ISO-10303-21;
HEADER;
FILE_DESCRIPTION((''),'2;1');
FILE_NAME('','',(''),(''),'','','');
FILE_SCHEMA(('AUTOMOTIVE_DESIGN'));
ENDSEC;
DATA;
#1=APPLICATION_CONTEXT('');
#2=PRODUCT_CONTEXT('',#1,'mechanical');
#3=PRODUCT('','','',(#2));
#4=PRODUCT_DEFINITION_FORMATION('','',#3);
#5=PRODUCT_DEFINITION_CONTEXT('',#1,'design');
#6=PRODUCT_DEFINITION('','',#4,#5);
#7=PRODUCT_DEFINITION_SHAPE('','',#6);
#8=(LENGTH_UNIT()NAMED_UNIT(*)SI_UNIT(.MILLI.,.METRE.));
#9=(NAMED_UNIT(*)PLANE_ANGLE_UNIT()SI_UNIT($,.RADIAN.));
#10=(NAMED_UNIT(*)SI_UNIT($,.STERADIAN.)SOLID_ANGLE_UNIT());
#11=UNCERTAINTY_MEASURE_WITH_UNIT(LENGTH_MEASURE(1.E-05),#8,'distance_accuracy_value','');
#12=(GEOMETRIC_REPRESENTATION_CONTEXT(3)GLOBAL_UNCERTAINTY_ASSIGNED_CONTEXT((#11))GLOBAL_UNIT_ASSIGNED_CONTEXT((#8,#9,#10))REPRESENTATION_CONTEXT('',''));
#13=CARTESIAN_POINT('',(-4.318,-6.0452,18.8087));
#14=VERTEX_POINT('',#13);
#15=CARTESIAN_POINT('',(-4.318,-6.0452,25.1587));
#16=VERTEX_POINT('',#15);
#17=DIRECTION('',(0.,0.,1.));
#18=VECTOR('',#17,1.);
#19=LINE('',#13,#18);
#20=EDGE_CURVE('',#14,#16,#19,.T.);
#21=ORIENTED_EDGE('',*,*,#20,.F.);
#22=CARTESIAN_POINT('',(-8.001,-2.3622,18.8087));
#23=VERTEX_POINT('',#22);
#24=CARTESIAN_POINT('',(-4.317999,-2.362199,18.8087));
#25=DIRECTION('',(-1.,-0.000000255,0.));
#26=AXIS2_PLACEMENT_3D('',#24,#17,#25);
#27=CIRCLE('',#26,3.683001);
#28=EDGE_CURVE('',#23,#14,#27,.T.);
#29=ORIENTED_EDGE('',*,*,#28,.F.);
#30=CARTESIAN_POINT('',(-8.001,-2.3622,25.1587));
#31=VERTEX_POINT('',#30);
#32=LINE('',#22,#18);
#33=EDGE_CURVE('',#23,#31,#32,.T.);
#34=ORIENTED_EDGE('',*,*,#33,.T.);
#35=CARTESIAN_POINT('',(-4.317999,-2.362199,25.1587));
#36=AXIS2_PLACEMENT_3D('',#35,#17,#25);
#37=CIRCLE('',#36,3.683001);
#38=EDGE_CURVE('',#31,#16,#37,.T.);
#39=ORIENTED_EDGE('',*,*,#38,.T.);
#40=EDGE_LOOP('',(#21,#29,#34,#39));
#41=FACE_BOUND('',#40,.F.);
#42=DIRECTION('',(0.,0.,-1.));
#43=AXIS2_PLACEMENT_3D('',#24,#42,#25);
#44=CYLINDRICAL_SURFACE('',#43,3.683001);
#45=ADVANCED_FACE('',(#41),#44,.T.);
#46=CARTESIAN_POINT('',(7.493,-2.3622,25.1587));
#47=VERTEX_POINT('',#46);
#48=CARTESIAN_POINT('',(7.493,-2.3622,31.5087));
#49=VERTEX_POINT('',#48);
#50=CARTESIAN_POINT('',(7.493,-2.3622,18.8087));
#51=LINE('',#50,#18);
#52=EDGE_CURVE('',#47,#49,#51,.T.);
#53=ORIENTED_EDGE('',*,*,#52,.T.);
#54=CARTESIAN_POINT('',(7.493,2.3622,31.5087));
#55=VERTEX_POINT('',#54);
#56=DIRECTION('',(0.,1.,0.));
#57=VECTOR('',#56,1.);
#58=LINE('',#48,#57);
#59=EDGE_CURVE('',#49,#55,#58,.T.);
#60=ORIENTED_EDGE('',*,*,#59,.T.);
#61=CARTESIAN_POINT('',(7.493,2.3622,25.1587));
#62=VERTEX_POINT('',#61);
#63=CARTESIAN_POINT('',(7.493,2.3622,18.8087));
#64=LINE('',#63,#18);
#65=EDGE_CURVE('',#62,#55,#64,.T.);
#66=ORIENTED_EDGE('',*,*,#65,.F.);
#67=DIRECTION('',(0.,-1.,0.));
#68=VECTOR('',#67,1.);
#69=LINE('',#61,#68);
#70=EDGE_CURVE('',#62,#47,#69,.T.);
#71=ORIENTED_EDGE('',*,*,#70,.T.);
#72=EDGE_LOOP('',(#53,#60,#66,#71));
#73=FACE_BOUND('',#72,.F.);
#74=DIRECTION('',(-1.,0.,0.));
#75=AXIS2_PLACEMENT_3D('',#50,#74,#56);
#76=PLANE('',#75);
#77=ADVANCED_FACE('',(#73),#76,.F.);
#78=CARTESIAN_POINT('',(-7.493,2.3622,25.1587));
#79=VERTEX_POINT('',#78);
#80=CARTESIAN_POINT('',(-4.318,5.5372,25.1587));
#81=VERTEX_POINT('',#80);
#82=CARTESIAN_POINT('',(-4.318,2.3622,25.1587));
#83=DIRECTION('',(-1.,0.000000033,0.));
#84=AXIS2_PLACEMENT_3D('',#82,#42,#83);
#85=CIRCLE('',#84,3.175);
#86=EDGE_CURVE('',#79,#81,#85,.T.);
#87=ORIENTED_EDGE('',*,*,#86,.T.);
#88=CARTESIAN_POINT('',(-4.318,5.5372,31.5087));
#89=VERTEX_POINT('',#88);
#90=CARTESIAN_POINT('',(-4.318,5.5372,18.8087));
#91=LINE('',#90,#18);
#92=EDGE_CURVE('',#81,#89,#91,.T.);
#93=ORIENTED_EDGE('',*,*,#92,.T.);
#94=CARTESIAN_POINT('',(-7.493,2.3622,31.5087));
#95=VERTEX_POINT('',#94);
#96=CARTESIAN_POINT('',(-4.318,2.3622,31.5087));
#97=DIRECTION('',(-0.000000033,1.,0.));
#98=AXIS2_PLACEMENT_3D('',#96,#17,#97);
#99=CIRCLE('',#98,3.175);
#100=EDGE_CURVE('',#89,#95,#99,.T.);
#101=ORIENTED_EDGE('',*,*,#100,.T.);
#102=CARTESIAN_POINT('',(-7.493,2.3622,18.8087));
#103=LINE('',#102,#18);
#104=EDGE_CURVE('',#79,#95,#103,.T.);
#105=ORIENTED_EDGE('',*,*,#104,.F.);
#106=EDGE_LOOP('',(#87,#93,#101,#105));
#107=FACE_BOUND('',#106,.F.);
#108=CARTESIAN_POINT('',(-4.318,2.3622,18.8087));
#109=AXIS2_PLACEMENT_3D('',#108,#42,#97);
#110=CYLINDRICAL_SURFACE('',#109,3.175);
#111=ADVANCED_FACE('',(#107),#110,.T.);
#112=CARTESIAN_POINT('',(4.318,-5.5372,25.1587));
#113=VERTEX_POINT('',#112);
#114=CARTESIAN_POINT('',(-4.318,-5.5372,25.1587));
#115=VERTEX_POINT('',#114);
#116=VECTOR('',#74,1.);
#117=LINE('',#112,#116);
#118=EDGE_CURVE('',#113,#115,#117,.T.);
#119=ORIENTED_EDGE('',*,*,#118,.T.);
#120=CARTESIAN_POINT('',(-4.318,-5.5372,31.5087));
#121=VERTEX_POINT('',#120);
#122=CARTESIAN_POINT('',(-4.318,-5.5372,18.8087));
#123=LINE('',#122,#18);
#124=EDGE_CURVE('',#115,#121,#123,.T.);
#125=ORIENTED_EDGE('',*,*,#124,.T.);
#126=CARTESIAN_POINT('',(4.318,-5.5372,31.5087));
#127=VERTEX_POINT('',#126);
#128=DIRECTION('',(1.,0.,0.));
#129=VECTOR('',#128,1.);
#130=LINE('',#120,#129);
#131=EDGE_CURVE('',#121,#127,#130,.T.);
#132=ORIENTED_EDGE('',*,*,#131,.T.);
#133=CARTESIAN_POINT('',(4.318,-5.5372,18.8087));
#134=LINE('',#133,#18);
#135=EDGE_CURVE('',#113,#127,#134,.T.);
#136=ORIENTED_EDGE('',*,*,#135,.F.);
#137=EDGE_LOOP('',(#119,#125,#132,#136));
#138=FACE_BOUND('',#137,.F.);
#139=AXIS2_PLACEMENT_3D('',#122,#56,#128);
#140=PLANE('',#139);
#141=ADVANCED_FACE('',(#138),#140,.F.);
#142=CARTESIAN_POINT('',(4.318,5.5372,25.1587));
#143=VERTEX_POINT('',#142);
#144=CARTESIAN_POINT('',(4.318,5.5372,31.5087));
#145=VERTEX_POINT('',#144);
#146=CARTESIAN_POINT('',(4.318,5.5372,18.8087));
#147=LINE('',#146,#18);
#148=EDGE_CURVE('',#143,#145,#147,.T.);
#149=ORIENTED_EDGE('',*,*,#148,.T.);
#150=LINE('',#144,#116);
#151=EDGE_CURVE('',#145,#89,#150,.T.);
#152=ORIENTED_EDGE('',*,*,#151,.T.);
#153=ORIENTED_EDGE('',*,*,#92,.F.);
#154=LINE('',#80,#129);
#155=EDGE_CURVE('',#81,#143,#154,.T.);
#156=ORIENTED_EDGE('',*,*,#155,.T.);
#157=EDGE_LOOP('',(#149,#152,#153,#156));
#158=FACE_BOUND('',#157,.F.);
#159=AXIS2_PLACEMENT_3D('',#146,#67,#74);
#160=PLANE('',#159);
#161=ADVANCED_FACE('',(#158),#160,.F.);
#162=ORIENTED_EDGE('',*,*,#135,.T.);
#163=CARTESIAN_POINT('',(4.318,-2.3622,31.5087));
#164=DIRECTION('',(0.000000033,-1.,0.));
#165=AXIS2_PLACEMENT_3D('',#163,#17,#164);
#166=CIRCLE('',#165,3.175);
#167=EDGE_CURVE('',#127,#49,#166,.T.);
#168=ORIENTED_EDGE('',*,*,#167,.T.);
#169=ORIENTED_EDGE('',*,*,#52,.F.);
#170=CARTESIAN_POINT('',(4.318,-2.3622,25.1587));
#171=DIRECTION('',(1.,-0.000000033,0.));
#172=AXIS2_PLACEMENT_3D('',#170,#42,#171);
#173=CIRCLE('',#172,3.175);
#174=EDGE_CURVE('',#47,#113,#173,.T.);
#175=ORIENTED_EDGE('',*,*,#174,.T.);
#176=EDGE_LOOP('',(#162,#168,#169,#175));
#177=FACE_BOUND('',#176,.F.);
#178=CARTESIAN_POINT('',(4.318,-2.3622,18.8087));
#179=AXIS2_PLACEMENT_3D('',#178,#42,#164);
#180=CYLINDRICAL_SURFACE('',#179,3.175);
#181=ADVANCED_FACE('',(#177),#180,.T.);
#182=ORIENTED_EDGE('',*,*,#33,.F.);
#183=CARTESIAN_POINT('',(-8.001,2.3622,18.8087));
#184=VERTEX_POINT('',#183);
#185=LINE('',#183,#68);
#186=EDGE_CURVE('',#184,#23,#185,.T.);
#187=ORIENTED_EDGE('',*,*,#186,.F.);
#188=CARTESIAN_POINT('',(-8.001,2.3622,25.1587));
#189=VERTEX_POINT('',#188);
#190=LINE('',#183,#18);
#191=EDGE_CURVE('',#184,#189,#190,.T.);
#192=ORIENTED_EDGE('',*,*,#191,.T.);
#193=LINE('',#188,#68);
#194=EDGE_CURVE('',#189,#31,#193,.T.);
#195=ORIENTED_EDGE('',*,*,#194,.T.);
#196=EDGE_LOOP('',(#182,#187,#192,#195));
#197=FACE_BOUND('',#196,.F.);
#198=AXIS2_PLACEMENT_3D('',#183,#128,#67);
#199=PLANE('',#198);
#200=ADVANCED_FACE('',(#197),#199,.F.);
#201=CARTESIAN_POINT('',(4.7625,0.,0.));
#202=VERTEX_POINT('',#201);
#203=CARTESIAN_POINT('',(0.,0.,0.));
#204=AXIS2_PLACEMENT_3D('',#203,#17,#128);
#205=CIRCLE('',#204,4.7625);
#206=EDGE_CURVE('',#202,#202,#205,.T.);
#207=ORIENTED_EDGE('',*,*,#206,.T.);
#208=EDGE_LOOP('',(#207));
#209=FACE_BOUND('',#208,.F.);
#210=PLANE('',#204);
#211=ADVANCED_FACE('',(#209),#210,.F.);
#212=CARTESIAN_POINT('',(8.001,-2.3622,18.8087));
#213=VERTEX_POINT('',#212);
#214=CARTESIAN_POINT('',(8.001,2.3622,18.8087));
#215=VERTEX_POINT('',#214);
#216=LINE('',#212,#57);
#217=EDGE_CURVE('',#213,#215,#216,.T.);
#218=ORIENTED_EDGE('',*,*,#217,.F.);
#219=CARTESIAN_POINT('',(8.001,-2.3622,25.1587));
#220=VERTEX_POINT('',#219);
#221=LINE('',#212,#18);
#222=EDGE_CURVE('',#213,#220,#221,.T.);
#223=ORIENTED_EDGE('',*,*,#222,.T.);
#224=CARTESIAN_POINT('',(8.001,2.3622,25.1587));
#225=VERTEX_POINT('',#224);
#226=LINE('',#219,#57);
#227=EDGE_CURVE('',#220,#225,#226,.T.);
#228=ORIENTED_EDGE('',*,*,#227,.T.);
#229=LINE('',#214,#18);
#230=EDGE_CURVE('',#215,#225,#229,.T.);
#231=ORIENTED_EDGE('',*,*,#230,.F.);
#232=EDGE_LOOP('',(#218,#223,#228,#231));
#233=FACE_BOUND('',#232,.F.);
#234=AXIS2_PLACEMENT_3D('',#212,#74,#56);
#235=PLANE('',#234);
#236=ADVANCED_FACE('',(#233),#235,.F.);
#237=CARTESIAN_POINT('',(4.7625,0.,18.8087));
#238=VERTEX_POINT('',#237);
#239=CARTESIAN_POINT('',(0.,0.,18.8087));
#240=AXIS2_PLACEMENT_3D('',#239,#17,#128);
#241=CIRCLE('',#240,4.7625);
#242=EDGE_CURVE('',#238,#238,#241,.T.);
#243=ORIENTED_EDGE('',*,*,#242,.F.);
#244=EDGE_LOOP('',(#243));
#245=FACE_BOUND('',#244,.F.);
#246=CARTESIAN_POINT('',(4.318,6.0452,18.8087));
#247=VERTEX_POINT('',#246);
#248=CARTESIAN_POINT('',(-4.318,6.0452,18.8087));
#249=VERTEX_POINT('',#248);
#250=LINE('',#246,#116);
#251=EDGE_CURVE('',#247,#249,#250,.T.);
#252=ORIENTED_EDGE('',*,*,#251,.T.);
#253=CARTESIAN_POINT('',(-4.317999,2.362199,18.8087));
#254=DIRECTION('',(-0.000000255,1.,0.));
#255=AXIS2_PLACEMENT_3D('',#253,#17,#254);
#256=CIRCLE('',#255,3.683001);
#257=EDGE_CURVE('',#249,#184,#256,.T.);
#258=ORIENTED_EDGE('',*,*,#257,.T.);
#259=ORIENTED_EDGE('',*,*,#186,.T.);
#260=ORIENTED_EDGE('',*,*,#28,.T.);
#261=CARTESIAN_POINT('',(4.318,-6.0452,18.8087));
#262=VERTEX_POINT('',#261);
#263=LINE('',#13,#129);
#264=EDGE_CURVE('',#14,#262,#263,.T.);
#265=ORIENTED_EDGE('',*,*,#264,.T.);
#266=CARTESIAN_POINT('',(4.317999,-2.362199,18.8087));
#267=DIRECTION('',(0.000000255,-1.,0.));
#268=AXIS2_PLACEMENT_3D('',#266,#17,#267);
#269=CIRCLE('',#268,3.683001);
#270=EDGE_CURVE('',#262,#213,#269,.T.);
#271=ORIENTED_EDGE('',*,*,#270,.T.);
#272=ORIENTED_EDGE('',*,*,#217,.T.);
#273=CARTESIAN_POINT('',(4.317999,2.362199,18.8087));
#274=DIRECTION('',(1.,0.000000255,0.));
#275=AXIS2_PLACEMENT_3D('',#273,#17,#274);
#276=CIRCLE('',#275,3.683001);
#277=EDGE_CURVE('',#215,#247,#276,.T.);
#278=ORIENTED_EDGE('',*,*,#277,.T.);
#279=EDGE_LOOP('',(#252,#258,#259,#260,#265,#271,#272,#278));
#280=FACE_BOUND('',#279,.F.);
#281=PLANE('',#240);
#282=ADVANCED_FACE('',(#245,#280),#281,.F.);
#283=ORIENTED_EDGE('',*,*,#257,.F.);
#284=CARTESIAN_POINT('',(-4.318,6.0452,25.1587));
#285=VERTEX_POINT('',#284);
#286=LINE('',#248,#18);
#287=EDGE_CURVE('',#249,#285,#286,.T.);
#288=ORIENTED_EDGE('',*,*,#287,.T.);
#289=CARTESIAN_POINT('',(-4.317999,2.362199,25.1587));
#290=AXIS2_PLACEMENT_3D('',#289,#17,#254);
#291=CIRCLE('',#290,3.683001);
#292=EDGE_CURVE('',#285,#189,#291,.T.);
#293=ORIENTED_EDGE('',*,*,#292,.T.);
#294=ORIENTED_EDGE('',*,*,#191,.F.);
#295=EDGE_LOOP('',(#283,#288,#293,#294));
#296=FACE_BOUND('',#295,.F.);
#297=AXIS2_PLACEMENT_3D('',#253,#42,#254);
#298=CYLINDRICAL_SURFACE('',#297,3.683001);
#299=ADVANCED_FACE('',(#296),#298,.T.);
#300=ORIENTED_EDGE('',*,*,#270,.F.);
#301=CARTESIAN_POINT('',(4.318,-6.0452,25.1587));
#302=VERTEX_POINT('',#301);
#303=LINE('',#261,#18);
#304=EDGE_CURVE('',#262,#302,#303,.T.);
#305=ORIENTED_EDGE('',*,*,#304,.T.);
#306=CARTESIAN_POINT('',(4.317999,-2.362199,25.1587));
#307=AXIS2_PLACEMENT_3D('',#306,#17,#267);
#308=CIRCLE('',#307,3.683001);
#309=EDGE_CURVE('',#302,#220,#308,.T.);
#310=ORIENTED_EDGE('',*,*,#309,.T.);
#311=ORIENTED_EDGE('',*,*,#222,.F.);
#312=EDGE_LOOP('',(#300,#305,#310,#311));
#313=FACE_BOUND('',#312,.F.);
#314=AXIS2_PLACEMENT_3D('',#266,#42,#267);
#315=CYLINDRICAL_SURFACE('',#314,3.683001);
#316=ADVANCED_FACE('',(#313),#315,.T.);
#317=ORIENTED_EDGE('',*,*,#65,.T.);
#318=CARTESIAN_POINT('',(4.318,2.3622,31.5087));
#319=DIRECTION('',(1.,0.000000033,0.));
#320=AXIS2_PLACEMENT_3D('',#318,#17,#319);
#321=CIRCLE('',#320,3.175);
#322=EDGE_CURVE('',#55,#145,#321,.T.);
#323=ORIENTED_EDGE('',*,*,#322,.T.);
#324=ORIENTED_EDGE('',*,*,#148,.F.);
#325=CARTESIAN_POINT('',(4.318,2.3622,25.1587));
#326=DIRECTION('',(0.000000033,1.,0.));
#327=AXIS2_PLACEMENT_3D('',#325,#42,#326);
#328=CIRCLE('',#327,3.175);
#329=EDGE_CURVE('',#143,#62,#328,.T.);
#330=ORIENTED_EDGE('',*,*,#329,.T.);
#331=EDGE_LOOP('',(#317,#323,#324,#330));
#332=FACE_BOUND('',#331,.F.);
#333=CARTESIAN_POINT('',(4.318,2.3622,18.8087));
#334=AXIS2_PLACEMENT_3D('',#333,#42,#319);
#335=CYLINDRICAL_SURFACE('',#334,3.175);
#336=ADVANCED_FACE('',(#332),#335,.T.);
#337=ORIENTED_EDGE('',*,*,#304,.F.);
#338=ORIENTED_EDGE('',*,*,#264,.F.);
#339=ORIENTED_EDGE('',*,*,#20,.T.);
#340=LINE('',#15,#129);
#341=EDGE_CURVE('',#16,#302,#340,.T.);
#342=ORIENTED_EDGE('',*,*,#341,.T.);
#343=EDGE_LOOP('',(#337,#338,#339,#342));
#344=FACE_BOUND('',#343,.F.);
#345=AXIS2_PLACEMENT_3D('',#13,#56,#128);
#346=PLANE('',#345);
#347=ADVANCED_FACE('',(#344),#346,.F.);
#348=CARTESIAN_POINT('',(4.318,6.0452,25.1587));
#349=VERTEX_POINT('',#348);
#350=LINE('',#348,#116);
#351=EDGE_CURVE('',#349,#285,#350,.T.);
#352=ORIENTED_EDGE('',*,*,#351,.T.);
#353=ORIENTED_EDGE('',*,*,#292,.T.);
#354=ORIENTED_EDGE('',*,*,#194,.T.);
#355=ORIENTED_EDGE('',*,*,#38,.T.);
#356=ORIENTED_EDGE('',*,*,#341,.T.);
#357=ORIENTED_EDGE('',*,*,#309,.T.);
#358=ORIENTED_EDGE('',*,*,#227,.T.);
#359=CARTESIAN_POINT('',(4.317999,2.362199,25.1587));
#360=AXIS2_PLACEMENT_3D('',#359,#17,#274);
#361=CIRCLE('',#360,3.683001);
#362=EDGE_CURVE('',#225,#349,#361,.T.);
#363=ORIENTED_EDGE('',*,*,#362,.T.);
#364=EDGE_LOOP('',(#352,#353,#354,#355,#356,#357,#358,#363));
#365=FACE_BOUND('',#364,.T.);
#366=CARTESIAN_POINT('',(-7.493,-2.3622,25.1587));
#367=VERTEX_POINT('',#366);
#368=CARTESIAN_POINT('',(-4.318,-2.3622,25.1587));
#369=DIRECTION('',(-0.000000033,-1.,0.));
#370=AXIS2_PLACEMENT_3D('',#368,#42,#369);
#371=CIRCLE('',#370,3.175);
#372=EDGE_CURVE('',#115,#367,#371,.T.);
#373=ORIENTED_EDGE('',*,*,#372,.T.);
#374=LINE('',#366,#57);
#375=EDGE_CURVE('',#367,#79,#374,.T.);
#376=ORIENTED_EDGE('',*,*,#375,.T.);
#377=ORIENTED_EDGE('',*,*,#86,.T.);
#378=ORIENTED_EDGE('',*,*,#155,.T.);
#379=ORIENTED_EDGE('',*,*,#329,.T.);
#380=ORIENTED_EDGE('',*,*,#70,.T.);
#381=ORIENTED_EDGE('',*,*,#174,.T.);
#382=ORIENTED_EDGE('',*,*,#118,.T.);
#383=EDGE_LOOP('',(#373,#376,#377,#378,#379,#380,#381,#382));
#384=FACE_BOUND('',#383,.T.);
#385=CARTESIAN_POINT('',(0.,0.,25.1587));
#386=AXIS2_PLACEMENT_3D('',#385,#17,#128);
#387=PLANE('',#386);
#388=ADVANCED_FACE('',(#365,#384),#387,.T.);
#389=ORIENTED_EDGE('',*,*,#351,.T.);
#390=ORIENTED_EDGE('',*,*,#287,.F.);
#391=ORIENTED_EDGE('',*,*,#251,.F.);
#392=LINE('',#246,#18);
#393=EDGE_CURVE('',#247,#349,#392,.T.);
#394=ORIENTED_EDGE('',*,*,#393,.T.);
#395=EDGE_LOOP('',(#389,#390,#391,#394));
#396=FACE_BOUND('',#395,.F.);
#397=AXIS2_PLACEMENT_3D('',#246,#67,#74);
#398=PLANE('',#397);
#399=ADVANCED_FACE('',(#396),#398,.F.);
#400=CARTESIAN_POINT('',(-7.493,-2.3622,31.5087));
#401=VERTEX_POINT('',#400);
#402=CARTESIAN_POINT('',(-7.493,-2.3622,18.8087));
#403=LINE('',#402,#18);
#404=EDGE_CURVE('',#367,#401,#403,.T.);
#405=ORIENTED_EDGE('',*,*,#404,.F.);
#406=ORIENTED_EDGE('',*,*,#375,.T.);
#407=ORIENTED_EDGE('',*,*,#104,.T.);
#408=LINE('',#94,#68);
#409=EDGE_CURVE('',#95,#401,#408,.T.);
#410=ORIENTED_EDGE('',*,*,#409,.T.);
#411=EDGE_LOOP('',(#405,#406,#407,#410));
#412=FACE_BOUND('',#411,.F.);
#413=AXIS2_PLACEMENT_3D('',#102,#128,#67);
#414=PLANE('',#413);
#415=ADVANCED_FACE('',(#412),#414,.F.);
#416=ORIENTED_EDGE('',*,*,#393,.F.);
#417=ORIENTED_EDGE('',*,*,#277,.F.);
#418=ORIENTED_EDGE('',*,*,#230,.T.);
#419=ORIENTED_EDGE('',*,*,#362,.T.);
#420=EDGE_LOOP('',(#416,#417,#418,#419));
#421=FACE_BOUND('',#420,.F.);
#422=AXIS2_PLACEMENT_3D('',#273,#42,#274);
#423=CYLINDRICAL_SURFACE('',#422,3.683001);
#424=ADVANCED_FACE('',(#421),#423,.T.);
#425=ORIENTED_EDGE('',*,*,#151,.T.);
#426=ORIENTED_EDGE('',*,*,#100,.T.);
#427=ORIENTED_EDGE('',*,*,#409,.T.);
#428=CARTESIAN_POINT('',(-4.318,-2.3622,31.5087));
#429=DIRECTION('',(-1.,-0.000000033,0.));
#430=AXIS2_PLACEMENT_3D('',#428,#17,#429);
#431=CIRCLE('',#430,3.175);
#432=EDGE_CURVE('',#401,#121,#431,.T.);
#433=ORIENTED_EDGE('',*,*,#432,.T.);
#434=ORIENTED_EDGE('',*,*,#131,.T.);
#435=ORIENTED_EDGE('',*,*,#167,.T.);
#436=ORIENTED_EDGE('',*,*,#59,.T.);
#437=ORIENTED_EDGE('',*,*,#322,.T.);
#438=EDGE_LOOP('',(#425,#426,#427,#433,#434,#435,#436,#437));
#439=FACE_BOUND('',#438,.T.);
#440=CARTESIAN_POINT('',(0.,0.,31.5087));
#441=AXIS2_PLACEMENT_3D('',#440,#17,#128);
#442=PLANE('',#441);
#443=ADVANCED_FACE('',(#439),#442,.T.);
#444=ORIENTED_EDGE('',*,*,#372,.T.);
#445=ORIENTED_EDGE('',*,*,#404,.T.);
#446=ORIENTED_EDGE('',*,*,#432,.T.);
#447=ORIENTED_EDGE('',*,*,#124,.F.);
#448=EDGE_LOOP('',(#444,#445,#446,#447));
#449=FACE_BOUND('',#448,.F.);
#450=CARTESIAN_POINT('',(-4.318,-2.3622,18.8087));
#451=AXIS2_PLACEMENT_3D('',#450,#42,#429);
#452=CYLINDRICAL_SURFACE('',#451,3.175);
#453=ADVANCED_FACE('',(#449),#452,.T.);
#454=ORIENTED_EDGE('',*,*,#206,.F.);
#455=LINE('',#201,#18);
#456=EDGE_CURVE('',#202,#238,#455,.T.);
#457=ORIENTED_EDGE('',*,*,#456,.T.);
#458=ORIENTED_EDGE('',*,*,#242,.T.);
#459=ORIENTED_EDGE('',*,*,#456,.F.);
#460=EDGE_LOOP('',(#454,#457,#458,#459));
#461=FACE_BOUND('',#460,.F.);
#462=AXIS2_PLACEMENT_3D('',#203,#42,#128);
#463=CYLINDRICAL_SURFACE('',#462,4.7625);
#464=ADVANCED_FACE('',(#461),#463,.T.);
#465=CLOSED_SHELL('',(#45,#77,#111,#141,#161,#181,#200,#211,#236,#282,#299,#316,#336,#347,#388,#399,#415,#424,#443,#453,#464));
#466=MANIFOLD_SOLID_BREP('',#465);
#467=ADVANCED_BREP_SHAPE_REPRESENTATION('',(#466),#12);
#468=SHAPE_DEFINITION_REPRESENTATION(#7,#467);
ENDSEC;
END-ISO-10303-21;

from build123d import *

# Parameters (mm, degrees)
F0_R     = 4.7625
F1_DEPTH = 18.8087
F2_R     = 4.7625
F3_DEPTH = 12.7
F4_DEPTH = 6.35


with BuildPart() as f1:
    # F0 (on Top) → F1 (new body)
    with BuildSketch(Plane.XY):
        Circle(F0_R)
    extrude(amount=F1_DEPTH)

    # F2 (on face) → F3 (join)
    with BuildSketch(Plane.XY.offset(18.8087)):
        with BuildLine():
            ThreePointArc((7.493, 2.3622), (6.563064, 4.607264), (4.318, 5.5372))
            Line((4.318, 5.5372), (-4.318, 5.5372))
            ThreePointArc((-4.318, 5.5372), (-6.563064, 4.607264), (-7.493, 2.3622))
            Line((-7.493, 2.3622), (-7.493, -2.3622))
            ThreePointArc((-7.493, -2.3622), (-6.563064, -4.607264), (-4.318, -5.5372))
            Line((-4.318, -5.5372), (4.318, -5.5372))
            ThreePointArc((4.318, -5.5372), (6.563064, -4.607264), (7.493, -2.3622))
            Line((7.493, -2.3622), (7.493, 2.3622))
        make_face()
        Circle(F2_R, mode=Mode.SUBTRACT)
        Circle(F2_R)
    extrude(amount=F3_DEPTH)

    # F2 (on face) → F4 (join)
    with BuildSketch(Plane.XY.offset(18.8087)):
        with BuildLine():
            Line((8.001, -2.3622), (8.001, 2.3622))
            ThreePointArc((8.001, 2.3622), (6.922274, 4.966474), (4.318, 6.0452))
            Line((4.318, 6.0452), (-4.318, 6.0452))
            ThreePointArc((-4.318, 6.0452), (-6.922274, 4.966474), (-8.001, 2.3622))
            Line((-8.001, 2.3622), (-8.001, -2.3622))
            ThreePointArc((-8.001, -2.3622), (-6.922274, -4.966474), (-4.318, -6.0452))
            Line((-4.318, -6.0452), (4.318, -6.0452))
            ThreePointArc((4.318, -6.0452), (6.922274, -4.966474), (8.001, -2.3622))
        make_face()
        with BuildLine():
            Line((-4.318, 5.5372), (4.318, 5.5372))
            ThreePointArc((4.318, 5.5372), (6.563064, 4.607264), (7.493, 2.3622))
            Line((7.493, 2.3622), (7.493, -2.3622))
            ThreePointArc((7.493, -2.3622), (6.563064, -4.607264), (4.318, -5.5372))
            Line((4.318, -5.5372), (-4.318, -5.5372))
            ThreePointArc((-4.318, -5.5372), (-6.563064, -4.607264), (-7.493, -2.3622))
            Line((-7.493, -2.3622), (-7.493, 2.3622))
            ThreePointArc((-7.493, 2.3622), (-6.563064, 4.607264), (-4.318, 5.5372))
        make_face(mode=Mode.SUBTRACT)
    extrude(amount=F4_DEPTH)


solid = f1.part
